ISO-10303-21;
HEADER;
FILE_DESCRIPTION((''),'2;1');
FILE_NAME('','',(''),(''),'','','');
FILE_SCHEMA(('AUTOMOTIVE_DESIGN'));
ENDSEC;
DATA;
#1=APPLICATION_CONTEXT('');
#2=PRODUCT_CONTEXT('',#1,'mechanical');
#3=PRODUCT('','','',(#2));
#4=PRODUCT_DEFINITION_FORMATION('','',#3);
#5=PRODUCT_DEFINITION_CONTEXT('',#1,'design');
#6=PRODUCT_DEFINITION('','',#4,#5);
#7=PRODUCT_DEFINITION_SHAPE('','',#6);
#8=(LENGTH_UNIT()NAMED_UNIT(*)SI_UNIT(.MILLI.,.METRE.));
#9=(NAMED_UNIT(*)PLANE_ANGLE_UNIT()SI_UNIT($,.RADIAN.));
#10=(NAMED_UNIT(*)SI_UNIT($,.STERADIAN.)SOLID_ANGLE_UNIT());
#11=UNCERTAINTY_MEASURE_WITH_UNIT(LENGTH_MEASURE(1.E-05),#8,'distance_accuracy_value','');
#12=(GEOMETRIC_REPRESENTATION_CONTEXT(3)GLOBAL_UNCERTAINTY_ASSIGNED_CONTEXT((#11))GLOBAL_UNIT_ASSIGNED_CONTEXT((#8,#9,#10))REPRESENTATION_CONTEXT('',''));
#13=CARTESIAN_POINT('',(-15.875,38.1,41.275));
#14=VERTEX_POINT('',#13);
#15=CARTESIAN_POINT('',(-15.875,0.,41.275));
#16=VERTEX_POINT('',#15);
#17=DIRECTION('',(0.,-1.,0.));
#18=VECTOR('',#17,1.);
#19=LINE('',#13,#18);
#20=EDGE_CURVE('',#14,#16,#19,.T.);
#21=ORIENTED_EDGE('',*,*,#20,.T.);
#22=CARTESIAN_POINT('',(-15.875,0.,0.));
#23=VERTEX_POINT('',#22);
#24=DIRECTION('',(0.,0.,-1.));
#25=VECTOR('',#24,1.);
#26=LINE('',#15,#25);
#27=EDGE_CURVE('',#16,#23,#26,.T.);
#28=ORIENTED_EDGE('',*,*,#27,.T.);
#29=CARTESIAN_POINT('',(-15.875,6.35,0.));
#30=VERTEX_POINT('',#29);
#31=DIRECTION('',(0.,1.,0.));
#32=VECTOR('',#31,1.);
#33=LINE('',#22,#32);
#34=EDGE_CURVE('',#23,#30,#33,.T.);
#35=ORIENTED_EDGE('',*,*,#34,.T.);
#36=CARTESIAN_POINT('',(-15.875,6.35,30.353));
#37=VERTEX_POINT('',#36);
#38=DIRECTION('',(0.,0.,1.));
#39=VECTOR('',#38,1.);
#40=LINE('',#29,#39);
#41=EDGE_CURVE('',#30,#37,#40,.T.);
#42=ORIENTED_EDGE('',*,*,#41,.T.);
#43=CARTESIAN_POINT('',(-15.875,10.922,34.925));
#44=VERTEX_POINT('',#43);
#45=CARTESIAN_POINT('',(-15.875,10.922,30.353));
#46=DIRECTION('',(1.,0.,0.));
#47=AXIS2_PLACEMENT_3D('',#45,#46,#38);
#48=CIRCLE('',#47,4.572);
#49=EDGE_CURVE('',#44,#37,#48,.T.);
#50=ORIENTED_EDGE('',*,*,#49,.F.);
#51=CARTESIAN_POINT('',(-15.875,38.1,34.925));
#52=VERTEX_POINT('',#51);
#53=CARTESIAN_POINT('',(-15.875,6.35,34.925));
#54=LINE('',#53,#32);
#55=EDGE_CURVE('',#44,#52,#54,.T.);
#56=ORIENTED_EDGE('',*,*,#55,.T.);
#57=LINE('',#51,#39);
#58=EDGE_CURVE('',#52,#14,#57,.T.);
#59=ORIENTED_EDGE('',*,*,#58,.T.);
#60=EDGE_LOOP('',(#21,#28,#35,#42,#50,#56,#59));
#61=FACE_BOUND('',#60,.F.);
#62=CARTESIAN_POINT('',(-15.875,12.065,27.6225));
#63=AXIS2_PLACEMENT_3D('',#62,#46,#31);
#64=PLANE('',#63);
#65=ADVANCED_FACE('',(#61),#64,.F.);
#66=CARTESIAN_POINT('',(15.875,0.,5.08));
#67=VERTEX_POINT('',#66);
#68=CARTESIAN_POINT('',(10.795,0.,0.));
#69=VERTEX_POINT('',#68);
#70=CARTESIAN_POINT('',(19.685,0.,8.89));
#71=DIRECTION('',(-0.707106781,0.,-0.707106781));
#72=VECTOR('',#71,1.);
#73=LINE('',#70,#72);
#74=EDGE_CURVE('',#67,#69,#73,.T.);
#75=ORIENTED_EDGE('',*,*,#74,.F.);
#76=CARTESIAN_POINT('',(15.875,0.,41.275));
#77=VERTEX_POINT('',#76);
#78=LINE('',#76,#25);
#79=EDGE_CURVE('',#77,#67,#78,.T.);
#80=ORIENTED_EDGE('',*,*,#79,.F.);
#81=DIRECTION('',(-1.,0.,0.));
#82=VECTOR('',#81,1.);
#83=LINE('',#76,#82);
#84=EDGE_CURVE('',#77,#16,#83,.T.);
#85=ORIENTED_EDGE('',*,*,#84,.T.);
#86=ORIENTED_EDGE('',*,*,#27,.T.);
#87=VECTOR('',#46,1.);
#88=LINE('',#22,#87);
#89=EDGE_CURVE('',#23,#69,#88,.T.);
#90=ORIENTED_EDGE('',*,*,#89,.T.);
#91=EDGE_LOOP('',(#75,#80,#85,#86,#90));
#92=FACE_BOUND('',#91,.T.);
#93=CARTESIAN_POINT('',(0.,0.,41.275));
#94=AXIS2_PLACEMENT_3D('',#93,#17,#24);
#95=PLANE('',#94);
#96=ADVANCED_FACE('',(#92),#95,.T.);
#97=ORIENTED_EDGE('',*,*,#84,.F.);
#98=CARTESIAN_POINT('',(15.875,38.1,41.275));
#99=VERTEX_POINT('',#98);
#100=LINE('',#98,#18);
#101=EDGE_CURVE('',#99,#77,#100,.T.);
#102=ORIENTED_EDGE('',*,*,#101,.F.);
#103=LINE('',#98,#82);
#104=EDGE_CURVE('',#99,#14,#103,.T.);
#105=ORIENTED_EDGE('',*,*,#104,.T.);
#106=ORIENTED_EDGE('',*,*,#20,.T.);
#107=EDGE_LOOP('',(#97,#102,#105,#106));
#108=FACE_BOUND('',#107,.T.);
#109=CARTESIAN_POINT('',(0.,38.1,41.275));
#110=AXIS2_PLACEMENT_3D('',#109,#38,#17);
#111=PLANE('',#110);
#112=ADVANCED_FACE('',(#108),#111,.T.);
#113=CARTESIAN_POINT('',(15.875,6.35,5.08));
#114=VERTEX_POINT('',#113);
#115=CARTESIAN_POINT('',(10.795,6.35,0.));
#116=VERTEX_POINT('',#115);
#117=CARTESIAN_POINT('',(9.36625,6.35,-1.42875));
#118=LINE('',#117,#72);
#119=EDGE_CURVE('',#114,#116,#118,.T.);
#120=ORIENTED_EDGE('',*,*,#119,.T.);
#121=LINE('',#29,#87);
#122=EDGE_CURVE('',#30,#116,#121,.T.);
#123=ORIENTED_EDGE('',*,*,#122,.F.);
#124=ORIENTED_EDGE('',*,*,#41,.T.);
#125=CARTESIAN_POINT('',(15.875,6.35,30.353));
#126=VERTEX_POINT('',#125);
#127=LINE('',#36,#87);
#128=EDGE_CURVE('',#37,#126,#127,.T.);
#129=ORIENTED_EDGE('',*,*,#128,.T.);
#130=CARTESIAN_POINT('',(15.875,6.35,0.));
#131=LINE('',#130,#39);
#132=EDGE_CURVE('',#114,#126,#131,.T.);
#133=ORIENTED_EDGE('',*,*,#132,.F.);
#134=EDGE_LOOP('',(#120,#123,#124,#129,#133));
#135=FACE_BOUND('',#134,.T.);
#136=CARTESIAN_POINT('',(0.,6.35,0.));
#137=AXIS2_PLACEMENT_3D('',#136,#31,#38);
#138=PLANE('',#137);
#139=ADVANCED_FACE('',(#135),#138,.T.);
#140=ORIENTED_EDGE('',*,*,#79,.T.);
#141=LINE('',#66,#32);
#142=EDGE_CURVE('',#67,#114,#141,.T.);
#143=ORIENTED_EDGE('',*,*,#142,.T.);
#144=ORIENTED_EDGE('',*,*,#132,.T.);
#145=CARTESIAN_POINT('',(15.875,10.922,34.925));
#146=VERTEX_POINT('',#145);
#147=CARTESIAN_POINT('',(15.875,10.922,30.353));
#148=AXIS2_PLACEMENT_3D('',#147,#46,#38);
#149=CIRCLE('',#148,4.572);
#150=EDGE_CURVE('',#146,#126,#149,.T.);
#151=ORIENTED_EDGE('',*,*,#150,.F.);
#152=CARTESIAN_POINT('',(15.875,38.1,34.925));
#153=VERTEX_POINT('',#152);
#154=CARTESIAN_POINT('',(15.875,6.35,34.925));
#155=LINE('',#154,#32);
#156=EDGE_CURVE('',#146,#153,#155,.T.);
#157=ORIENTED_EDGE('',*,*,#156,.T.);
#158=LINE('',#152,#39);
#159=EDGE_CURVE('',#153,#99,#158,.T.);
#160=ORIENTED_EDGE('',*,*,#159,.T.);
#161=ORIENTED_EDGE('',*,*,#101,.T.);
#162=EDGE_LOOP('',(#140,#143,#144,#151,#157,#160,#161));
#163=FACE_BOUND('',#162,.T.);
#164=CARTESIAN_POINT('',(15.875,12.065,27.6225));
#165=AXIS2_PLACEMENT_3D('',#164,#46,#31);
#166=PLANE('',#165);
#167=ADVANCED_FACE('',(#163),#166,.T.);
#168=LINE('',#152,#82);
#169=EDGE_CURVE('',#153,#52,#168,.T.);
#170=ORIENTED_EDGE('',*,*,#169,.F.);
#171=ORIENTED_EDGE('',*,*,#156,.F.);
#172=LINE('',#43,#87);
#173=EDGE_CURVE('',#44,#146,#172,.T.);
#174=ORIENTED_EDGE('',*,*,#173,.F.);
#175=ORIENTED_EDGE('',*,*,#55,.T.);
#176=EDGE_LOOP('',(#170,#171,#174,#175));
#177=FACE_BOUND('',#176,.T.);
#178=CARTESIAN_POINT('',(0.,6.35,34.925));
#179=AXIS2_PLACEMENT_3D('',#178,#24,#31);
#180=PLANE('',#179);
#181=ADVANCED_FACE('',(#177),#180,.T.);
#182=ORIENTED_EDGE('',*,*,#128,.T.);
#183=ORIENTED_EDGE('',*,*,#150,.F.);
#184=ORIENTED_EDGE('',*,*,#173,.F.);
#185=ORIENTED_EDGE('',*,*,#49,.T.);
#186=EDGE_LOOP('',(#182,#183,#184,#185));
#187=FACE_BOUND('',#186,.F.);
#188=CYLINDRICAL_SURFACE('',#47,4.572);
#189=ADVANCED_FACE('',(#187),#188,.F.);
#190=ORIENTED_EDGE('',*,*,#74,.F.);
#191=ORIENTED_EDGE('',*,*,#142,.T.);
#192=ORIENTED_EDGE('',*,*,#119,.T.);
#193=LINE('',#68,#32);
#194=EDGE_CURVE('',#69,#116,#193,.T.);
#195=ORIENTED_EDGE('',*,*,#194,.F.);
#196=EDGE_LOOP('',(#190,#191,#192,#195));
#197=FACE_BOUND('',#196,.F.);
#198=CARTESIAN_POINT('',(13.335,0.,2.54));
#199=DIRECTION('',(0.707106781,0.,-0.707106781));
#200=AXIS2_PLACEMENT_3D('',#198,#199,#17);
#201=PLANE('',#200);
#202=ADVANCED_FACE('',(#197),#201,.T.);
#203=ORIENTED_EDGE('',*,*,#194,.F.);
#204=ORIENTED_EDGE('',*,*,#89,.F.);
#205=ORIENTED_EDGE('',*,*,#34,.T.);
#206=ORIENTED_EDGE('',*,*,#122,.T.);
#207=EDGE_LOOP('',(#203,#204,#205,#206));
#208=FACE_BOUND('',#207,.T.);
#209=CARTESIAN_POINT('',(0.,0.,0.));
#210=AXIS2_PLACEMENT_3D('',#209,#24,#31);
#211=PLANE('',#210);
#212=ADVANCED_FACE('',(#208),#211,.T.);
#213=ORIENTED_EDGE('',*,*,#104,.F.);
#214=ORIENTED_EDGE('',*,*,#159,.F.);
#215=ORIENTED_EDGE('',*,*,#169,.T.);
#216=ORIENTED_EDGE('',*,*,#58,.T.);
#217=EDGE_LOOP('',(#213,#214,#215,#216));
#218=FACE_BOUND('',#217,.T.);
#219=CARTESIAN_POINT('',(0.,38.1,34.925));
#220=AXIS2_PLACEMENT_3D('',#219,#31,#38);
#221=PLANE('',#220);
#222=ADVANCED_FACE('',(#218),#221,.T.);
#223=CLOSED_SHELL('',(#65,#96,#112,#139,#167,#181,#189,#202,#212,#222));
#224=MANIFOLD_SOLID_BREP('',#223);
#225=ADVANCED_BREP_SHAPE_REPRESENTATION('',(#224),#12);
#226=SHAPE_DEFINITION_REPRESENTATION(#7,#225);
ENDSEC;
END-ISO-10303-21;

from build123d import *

# Parameters (mm, degrees)
F1_DEPTH = 15.875
F2_R     = 4.572
F3_SIZE  = 5.08


with BuildPart() as f1:
    # F0 (on Right) → F1 (new body, symmetric)
    with BuildSketch(Plane.YZ):
        Polygon((0, 41.275), (0, 0), (6.35, 0), (6.35, 34.925), (38.1, 34.925), (38.1, 41.275), align=None)
    extrude(amount=F1_DEPTH, both=True)

    # F2
    f2_edges = [f1.edges().sort_by_distance(p)[0] for p in [
        (0, 6.35, 34.925),
    ]]
    fillet(f2_edges, radius=F2_R)

    # F3
    f3_edges = [f1.edges().sort_by_distance(p)[0] for p in [
        (15.875, 3.175, 0),
    ]]
    chamfer(f3_edges, length=F3_SIZE)


solid = f1.part
